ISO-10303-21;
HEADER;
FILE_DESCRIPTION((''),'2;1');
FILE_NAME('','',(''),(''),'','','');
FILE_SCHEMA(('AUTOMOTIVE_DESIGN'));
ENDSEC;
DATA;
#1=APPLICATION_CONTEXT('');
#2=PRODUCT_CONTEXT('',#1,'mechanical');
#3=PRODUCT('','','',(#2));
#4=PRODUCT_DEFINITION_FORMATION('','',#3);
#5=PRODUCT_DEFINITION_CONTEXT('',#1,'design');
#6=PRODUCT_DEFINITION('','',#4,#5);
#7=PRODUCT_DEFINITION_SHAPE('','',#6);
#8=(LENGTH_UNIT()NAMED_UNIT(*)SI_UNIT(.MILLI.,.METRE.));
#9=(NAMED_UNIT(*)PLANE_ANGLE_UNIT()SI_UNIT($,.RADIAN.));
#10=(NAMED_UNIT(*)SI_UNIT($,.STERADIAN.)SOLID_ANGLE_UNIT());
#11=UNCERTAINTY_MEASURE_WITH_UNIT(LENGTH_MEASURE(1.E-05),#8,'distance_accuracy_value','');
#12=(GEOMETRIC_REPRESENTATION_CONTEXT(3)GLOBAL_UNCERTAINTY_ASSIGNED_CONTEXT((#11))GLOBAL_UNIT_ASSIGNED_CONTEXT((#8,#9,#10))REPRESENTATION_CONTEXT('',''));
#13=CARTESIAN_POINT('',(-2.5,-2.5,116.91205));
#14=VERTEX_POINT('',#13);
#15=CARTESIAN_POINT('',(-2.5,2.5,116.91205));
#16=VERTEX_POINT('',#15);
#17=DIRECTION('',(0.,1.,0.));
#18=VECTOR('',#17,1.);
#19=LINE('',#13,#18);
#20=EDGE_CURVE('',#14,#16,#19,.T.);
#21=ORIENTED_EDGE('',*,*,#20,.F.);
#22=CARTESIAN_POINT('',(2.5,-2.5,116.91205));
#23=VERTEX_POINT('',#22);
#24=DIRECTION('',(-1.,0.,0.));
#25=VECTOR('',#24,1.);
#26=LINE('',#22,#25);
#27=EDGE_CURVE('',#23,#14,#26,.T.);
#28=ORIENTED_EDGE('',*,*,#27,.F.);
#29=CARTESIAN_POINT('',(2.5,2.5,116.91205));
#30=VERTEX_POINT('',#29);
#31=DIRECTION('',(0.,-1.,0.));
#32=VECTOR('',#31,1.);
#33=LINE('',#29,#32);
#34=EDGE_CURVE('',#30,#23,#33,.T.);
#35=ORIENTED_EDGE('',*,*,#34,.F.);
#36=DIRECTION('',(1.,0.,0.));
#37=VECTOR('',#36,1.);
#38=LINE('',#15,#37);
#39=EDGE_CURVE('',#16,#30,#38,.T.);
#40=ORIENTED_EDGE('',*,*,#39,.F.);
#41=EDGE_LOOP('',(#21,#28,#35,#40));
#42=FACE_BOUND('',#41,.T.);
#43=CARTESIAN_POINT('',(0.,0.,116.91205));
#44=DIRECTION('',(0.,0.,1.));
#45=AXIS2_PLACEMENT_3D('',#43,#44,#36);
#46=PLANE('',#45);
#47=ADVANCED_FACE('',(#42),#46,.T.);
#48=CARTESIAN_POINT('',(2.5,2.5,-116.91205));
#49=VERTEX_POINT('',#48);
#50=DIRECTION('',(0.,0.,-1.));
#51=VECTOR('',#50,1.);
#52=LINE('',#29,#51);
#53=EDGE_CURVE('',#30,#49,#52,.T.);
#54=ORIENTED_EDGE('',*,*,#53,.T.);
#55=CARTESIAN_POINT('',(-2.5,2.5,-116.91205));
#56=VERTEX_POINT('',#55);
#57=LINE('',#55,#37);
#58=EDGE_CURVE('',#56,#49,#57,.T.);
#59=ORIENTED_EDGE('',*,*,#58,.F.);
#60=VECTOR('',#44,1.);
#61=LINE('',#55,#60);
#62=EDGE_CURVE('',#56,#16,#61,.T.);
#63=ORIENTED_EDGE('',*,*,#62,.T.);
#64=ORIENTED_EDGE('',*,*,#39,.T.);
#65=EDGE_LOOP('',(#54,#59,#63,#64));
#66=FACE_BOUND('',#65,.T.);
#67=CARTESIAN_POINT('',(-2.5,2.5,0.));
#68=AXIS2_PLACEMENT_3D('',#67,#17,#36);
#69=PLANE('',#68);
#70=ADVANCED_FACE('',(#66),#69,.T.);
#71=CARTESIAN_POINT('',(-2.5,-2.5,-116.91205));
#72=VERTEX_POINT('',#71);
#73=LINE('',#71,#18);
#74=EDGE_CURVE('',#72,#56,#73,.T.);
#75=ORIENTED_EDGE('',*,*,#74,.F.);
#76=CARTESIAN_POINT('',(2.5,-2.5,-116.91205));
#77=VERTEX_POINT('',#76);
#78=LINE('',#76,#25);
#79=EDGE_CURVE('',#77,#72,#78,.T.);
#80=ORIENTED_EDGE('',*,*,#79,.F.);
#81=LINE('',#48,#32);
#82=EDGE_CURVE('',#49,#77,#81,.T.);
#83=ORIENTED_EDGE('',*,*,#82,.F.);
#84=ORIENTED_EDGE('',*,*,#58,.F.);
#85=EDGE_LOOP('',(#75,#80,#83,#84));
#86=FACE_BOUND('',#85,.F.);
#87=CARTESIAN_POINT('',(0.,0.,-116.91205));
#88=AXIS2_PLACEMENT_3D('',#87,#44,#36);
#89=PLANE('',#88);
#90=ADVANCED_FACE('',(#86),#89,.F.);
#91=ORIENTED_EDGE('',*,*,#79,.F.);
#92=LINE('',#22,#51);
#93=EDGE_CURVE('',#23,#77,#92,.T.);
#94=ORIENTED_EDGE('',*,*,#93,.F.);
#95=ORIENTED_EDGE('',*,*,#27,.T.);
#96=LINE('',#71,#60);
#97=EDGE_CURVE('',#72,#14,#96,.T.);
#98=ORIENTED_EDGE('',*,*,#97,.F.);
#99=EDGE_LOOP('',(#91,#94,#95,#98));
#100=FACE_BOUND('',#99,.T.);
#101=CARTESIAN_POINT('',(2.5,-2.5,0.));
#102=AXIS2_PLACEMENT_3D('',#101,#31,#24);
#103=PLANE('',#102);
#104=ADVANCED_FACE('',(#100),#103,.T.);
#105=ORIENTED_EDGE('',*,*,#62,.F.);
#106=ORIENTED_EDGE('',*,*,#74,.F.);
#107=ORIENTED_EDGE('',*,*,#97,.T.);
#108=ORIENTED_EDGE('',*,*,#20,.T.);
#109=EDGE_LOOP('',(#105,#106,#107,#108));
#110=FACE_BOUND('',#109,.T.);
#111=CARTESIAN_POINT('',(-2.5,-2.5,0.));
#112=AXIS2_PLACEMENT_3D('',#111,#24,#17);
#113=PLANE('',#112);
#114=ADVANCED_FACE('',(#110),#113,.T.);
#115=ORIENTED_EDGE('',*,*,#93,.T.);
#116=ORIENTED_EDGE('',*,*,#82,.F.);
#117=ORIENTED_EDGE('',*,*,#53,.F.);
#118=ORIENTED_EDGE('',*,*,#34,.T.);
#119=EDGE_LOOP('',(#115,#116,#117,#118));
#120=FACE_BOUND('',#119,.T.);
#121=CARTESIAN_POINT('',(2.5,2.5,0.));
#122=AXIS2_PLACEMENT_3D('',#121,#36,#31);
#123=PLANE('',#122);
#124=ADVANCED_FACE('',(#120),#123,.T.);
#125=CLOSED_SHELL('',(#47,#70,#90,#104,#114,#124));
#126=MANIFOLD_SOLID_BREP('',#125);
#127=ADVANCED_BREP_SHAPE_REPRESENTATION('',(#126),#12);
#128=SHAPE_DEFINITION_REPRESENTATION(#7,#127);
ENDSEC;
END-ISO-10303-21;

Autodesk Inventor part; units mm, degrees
sketch "Sketch1" plane through (0, 0, 0) normal (0, 0, 1) x (1, 0, 0)
  line L0 (-2.5, 2.5) -> (2.5, 2.5)
  line L1 (2.5, 2.5) -> (2.5, -2.5)
  line L2 (2.5, -2.5) -> (-2.5, -2.5)
  line L3 (-2.5, -2.5) -> (-2.5, 2.5)
  line L4 (-2.5, 2.5) -> (2.5, -2.5) construction
  line L5 (2.5, 2.5) -> (-2.5, -2.5) construction
  point P0 (0, 0)
  dimension "d0" = 5
extrude "Extrusion1" add sketch "Sketch1" along normal mid plane 233.8241
properties part number "tie"
